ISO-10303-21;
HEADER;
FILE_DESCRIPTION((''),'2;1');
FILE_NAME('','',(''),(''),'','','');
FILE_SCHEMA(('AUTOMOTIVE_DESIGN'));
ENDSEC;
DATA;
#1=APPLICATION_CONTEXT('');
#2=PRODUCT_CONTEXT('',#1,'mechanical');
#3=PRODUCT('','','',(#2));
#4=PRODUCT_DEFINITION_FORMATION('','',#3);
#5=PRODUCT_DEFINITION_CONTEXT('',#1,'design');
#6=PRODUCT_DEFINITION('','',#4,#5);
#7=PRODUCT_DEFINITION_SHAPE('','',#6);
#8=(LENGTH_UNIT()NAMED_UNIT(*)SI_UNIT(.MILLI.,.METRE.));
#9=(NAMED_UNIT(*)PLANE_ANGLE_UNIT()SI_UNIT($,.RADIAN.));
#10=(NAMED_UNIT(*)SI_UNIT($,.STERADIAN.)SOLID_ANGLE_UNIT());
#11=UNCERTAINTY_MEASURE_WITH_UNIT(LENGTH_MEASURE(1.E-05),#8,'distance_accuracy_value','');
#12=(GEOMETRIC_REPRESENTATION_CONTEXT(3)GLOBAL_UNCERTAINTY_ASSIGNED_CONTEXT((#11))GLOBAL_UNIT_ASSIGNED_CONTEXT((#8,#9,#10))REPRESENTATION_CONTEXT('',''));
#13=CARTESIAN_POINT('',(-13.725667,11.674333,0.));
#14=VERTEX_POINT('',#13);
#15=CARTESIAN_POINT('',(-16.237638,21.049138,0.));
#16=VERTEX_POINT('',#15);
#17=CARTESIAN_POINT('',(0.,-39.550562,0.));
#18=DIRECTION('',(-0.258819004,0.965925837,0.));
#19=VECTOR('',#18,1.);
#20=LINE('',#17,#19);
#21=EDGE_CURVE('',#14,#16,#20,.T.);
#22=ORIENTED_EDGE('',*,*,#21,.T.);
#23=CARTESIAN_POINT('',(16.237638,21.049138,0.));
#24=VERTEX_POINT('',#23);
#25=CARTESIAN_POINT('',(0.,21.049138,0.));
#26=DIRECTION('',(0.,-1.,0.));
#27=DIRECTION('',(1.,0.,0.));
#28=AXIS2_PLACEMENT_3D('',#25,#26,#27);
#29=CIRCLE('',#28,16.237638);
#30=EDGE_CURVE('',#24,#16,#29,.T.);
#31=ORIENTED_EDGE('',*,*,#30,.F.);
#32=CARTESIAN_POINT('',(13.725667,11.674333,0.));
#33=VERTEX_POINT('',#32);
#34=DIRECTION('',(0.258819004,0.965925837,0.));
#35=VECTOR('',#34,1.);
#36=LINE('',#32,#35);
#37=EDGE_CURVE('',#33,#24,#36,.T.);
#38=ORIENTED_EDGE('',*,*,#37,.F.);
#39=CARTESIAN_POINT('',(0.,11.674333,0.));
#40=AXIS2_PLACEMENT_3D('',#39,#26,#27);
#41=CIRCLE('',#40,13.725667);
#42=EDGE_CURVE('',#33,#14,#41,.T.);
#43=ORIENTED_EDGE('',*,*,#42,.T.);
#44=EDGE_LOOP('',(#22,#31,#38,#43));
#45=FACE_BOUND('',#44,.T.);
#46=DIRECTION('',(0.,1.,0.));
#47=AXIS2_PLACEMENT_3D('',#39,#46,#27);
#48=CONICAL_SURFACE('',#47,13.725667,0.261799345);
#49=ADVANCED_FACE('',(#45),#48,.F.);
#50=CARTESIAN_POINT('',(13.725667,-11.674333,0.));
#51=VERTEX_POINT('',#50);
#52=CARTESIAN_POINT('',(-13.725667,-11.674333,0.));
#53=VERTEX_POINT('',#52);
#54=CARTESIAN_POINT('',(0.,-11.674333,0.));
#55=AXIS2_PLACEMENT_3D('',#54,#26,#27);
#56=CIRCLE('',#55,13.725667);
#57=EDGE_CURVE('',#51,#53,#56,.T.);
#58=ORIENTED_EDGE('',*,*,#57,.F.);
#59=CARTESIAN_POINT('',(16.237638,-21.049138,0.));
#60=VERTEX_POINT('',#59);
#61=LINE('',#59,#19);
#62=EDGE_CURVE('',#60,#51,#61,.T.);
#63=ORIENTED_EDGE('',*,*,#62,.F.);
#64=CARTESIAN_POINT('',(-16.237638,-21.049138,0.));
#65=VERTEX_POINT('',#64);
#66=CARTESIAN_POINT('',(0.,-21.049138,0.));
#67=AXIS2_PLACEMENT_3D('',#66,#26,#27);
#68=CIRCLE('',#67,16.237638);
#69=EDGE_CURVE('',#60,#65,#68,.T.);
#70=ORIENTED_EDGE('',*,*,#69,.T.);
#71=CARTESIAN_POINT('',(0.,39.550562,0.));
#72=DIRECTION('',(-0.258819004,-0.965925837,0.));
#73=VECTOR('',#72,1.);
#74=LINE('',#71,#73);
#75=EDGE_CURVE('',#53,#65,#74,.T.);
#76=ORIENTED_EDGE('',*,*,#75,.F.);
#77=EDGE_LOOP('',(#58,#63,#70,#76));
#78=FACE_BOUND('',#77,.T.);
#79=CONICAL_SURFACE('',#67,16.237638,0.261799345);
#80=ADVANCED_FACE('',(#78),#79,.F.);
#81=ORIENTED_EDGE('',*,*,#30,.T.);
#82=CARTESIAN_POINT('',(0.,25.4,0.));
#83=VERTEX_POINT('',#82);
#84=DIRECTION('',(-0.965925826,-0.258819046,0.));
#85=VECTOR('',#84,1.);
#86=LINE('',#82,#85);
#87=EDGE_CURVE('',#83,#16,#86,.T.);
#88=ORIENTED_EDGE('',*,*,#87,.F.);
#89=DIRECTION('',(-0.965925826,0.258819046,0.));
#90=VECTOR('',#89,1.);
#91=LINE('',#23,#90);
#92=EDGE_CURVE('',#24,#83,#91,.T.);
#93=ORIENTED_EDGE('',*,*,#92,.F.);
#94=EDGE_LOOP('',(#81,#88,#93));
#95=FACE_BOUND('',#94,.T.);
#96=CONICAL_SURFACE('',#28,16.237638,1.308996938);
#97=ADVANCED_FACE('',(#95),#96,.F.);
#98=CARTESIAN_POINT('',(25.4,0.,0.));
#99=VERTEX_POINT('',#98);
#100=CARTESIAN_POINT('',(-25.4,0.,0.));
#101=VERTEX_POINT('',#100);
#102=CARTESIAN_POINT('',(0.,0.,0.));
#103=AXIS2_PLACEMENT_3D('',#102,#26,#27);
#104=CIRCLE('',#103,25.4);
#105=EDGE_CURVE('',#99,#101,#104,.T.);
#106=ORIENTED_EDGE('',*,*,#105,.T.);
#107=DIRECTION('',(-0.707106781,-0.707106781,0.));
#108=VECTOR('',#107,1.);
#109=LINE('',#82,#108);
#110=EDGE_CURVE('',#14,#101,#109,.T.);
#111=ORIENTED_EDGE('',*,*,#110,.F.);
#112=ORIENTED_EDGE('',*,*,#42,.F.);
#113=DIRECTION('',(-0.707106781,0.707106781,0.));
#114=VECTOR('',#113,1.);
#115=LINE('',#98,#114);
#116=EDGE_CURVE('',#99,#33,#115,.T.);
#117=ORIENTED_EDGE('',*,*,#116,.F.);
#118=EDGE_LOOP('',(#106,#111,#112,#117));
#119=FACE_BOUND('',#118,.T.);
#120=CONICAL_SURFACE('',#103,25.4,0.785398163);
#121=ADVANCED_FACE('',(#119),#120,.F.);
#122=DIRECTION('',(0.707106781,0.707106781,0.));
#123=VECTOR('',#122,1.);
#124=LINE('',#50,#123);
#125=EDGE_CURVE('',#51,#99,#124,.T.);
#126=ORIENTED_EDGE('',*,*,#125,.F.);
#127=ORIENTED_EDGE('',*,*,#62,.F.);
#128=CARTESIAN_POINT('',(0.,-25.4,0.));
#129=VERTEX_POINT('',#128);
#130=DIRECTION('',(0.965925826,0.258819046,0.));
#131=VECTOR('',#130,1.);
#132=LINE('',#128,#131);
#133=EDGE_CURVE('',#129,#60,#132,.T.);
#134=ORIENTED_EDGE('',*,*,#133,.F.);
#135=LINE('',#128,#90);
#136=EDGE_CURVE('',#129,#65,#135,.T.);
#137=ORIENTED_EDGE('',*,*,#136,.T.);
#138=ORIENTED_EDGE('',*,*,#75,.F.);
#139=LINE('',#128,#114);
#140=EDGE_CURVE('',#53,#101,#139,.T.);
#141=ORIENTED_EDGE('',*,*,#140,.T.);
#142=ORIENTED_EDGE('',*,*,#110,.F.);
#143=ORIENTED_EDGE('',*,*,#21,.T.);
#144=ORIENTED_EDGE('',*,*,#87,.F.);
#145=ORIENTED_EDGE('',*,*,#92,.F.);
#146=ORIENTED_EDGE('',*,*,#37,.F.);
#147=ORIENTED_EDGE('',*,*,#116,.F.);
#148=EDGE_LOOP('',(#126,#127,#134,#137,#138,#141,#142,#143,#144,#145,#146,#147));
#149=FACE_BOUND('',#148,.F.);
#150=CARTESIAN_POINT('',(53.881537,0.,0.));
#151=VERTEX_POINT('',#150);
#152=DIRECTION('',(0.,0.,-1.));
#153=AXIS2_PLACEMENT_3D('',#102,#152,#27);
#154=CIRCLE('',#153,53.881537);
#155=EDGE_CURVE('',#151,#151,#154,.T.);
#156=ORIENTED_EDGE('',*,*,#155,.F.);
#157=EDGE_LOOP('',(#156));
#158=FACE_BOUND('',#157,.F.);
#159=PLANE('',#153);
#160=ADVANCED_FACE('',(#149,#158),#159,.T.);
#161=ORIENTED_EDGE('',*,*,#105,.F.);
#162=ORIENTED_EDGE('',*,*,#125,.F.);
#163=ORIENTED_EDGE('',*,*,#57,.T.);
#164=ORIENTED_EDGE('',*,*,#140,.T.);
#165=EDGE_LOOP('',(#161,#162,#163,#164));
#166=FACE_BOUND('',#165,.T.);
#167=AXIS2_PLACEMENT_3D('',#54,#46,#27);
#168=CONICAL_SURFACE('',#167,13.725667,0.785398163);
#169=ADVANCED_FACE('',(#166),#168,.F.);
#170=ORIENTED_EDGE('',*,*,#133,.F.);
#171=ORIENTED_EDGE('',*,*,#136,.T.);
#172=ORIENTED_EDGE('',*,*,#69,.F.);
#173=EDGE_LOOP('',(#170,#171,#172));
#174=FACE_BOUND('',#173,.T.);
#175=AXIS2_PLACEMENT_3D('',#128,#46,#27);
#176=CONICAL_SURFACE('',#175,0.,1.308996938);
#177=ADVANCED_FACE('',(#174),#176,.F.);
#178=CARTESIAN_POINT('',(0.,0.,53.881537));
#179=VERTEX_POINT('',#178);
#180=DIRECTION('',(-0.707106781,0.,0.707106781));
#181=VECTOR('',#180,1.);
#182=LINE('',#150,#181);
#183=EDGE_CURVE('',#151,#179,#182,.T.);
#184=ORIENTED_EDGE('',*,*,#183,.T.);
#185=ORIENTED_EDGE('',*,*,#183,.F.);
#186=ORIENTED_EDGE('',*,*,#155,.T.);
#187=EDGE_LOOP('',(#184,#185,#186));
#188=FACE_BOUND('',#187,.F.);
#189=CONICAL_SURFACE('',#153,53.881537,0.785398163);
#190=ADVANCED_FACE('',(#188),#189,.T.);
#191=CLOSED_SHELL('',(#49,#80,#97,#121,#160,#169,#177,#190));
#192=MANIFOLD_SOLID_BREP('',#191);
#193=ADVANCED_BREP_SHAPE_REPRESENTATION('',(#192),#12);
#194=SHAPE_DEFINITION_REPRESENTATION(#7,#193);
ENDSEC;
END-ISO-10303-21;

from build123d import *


with BuildPart() as f1:
    # F0 (on Front) → F1 (revolve)
    with BuildSketch(Plane.XZ):
        Polygon((53.881537, 0), (0, 53.881537), (0, 0), align=None)
    revolve(axis=Axis((0, 0, 26.940768), (0, 0, -1)))


with BuildPart() as f3:
    # F2 (on Top) → F3 (revolve)
    with BuildSketch(Plane.XY):
        Polygon((0, 25.4), (0, 0), (0, -25.4), (16.237638, -21.049138), (13.725667, -11.674333), (25.4, 0), (13.725667, 11.674333), (16.237638, 21.049138), align=None)
    revolve(axis=Axis((0, -12.7, 0), (0, -1, 0)))


with BuildPart() as f1_1:
    add(f1.part)

    # F4: cut F3
    add(f3.part, mode=Mode.SUBTRACT)


solid = f1_1.part
